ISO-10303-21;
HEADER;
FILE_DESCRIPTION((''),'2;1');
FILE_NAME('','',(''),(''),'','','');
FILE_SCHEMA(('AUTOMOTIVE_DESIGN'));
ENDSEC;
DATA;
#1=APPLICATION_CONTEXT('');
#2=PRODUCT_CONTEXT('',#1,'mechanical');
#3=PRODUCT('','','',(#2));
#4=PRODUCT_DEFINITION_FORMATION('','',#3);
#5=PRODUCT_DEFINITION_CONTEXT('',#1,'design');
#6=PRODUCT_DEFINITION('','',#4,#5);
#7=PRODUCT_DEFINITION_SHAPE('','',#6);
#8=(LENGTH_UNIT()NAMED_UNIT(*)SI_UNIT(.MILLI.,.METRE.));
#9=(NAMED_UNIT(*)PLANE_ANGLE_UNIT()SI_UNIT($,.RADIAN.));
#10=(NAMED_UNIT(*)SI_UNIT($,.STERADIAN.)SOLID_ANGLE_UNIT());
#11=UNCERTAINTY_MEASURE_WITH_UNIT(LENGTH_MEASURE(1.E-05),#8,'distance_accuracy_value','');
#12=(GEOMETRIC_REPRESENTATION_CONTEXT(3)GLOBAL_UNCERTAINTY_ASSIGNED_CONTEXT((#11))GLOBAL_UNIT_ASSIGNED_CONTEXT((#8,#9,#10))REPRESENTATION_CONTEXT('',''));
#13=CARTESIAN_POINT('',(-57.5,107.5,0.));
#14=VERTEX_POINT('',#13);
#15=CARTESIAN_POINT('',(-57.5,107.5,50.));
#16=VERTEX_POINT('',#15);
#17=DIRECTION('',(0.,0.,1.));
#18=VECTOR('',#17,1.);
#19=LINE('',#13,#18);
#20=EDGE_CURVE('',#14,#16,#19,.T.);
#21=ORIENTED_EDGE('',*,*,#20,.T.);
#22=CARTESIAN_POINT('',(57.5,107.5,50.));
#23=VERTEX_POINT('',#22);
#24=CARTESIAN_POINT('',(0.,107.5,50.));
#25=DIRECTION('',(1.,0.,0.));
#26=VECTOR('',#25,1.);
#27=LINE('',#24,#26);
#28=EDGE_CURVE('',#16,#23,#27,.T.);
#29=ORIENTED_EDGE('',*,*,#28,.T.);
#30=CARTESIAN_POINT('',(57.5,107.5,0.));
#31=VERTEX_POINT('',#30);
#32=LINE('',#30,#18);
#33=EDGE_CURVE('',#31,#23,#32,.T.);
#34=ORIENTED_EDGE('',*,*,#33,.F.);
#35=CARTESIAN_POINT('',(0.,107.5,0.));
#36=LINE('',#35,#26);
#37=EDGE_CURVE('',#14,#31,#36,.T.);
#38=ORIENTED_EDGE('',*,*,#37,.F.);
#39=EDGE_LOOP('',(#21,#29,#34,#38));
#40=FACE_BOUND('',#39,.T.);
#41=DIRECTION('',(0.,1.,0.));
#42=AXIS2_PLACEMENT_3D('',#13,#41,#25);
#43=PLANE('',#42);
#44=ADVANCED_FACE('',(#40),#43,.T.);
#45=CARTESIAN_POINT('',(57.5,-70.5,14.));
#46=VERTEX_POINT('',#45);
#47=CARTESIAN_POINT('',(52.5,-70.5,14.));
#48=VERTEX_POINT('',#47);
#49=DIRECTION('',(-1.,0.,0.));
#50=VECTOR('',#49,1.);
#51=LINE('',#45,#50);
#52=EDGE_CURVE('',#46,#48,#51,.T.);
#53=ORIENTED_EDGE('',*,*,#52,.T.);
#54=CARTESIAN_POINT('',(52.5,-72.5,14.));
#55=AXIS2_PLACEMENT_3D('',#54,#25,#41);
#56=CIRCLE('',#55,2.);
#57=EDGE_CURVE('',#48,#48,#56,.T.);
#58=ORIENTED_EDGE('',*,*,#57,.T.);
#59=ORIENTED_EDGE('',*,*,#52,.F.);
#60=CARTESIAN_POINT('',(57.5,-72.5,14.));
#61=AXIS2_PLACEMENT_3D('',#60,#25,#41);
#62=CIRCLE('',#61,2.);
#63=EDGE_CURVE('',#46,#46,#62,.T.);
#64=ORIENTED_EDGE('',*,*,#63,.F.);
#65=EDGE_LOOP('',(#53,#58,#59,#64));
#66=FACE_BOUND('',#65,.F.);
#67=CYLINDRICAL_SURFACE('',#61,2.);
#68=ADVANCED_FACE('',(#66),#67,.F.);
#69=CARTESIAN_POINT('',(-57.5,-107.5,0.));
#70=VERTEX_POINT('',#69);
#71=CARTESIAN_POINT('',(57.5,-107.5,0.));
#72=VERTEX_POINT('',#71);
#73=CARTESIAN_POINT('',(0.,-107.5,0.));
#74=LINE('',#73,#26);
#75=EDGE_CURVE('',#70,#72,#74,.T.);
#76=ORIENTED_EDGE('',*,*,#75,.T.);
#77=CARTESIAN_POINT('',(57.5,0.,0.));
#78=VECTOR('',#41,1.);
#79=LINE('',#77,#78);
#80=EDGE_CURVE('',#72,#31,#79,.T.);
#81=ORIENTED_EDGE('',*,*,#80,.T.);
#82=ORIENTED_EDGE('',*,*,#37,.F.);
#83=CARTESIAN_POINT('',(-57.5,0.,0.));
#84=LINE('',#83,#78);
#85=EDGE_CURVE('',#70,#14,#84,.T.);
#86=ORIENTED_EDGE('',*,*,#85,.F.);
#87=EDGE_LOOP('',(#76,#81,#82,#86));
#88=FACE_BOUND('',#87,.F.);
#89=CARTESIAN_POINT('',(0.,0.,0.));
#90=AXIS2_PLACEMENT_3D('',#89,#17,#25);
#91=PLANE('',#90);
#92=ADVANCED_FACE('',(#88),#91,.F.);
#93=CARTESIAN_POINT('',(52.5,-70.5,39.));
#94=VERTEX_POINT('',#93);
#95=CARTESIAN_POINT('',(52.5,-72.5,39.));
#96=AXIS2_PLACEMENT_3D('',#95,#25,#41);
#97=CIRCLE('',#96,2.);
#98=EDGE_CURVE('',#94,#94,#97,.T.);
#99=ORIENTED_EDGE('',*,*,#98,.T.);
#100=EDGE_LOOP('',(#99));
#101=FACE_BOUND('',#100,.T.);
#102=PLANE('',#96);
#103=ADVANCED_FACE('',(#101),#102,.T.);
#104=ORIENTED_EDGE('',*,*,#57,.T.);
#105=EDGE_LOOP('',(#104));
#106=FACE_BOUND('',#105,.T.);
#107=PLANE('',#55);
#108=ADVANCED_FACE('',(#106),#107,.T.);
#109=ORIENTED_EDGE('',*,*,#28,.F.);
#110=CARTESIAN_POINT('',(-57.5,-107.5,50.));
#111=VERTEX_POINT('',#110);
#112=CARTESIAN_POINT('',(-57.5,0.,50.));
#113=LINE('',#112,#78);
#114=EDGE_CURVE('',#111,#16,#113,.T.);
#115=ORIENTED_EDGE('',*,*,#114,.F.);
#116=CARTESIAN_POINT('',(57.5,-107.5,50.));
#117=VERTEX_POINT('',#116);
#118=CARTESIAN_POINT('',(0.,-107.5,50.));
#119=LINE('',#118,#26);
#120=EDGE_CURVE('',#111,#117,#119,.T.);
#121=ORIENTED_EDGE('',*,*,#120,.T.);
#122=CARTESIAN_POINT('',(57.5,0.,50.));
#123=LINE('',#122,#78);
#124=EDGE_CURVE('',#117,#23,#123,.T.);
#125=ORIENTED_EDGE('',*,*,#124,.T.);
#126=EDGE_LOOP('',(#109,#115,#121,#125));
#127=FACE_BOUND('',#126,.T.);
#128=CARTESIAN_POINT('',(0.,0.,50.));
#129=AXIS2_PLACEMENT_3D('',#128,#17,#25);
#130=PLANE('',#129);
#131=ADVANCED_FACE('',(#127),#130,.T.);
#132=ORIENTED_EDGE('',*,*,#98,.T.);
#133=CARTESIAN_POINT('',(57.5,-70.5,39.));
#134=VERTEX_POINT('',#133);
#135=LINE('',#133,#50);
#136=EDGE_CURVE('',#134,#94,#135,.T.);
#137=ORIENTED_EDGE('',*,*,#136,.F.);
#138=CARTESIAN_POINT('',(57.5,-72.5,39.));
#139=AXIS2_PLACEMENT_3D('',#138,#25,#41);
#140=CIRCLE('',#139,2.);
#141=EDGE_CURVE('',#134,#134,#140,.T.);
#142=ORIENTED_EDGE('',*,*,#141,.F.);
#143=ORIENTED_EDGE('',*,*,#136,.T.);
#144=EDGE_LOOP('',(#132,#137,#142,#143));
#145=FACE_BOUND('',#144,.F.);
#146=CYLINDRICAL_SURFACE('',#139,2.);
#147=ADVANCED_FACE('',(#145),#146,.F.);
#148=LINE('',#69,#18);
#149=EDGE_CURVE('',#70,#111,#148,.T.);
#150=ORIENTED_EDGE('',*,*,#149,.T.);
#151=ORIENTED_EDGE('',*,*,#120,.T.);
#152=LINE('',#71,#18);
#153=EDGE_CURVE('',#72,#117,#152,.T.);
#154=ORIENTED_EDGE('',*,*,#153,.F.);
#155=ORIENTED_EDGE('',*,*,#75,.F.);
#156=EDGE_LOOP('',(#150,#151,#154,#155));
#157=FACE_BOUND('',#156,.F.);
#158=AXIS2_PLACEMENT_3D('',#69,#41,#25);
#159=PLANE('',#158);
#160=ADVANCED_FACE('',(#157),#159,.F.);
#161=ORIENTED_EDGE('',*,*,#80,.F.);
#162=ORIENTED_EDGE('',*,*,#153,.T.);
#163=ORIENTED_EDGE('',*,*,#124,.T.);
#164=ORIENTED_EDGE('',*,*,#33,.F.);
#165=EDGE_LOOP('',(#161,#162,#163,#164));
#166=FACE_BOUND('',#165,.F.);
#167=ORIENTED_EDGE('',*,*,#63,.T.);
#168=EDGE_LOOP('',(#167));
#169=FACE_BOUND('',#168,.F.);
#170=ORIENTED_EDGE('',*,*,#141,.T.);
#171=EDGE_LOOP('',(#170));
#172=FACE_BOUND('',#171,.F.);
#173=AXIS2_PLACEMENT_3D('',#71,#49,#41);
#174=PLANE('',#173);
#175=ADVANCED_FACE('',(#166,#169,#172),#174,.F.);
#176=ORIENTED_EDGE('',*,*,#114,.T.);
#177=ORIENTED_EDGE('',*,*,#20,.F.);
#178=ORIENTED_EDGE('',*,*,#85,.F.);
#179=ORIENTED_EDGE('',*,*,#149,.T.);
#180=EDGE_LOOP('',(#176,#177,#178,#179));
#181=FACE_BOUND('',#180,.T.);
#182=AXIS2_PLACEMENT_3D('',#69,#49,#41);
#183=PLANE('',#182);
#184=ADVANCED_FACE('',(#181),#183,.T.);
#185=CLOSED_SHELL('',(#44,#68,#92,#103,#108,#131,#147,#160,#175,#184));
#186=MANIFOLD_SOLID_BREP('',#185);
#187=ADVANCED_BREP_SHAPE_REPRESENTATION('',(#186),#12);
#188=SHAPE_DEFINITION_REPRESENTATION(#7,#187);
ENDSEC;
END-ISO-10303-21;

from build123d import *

# Parameters (mm, degrees)
F0_W     = 115
F0_H     = 215
F1_DEPTH = 50
F2_R     = 2
F3_DEPTH = 5


with BuildPart() as f1:
    # F0 (on Top) → F1 (new body)
    with BuildSketch(Plane.XY):
        Rectangle(F0_W, F0_H)
    extrude(amount=F1_DEPTH)

    # F2 (on face) → F3 (cut)
    with BuildSketch(Plane.YZ.offset(57.5)):
        with Locations((-72.5, 39)):
            Circle(F2_R)
        with Locations((-72.5, 14)):
            Circle(F2_R)
    extrude(amount=-F3_DEPTH, mode=Mode.SUBTRACT)


solid = f1.part
